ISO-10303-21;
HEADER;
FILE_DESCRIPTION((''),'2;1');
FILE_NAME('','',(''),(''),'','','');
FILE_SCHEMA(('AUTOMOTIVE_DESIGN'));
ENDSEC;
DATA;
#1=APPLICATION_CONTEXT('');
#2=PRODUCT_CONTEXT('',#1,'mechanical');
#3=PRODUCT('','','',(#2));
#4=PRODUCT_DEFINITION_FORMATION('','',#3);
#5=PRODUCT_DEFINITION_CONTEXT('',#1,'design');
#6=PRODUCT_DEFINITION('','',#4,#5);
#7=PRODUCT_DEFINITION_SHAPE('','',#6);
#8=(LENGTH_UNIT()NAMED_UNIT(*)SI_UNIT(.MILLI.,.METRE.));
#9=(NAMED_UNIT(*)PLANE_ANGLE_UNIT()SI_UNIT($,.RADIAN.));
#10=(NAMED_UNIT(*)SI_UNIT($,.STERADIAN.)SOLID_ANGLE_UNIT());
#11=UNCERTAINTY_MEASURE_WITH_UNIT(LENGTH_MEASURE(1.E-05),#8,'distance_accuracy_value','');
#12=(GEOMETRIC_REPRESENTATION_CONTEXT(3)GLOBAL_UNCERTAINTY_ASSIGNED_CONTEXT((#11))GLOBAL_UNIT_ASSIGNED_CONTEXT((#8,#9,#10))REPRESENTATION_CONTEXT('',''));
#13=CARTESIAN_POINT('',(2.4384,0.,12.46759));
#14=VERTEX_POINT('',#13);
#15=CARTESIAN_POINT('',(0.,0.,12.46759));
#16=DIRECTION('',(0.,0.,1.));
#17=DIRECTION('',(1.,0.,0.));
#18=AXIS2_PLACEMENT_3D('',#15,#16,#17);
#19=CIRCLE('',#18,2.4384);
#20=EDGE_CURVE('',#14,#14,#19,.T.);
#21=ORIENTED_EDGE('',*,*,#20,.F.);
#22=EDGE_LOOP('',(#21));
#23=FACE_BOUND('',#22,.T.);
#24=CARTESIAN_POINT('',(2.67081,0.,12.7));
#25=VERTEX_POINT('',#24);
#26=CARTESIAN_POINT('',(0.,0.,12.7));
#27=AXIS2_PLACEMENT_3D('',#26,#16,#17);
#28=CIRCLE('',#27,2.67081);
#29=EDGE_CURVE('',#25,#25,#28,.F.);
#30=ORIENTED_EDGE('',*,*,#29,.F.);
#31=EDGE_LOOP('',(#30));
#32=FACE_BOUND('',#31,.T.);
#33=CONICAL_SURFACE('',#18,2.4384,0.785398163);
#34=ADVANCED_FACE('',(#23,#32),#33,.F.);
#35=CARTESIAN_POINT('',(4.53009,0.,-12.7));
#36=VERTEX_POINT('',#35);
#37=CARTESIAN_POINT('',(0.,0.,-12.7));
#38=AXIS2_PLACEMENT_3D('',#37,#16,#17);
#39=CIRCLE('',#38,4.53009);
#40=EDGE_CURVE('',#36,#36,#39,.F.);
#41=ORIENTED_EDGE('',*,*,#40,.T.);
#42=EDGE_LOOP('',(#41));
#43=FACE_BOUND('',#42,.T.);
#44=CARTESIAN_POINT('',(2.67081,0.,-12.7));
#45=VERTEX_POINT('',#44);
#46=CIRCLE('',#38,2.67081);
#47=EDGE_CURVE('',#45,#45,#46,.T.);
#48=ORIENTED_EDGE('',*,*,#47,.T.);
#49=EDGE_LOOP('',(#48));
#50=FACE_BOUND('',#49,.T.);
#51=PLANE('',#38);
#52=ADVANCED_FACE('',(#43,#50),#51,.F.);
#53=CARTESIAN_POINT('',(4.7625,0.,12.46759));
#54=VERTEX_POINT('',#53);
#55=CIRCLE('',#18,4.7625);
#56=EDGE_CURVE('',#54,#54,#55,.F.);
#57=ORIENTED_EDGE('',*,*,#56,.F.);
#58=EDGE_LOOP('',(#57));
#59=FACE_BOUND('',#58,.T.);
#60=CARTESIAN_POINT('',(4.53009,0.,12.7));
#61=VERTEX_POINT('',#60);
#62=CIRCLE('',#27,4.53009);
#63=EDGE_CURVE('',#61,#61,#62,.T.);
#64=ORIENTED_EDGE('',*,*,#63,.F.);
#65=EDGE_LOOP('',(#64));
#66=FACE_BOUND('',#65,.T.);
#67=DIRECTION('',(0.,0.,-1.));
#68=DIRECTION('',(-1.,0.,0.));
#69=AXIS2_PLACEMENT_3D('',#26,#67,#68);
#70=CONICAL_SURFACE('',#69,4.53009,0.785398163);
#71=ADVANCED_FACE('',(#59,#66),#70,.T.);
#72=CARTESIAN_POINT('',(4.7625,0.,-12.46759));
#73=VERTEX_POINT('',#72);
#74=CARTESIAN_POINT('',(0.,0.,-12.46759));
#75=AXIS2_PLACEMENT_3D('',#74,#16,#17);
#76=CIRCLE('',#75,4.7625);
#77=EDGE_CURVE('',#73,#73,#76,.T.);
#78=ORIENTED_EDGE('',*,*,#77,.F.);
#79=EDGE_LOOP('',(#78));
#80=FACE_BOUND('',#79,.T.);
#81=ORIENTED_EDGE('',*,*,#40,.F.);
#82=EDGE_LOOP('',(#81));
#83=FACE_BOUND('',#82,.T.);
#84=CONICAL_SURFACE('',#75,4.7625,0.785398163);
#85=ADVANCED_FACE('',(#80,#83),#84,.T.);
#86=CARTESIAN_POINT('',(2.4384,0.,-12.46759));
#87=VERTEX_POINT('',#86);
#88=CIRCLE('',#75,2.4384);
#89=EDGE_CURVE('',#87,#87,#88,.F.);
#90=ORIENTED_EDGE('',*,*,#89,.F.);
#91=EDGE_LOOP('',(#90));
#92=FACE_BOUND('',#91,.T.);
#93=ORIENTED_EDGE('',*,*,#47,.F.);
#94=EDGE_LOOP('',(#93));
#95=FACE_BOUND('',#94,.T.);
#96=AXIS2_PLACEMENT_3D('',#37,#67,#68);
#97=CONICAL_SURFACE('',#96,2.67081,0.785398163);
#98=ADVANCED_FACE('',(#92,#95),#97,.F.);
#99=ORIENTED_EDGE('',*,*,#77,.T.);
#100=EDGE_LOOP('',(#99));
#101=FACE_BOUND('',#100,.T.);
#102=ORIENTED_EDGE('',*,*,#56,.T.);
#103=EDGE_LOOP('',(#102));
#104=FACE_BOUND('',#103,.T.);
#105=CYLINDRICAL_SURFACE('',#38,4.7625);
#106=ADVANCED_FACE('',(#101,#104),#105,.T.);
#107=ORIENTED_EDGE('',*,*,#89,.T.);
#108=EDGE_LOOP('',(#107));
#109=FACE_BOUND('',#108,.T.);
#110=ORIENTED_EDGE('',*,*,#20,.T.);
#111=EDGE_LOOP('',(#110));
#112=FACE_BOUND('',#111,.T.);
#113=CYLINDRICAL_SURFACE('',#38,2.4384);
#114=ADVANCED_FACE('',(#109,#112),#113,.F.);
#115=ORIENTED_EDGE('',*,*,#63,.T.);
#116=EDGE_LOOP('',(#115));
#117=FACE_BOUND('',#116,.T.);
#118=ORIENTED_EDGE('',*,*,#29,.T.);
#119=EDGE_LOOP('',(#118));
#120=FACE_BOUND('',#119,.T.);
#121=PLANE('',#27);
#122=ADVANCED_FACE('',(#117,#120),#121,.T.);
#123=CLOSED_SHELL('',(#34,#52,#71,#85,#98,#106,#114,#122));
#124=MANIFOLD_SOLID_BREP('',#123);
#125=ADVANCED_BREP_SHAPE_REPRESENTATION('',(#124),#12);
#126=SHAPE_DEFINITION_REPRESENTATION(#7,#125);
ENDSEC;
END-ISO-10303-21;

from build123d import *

# Parameters (mm, degrees)
SKETCH3_R                = 4.7625
SKETCH3_R_2              = 2.4384
BOSS_EXTRUDE1_DEPTH      = 12.7
BOSS_EXTRUDE1_DEPTH_BACK = 12.7
CHAMFER1_SIZE            = 0.23241


with BuildPart() as part:
    # Sketch3 → Boss-Extrude1 (new body, two sides)
    with BuildSketch(Plane.XY) as boss_extrude1_sk:
        Circle(SKETCH3_R)
        Circle(SKETCH3_R_2, mode=Mode.SUBTRACT)
    extrude(amount=BOSS_EXTRUDE1_DEPTH)
    extrude(boss_extrude1_sk.sketch, amount=-BOSS_EXTRUDE1_DEPTH_BACK)

    # Chamfer1
    chamfer1_edges = [part.edges().sort_by_distance(p)[0] for p in [
        (-4.7625, 0, -12.7),
        (-2.4384, 0, -12.7),
        (-4.7625, 0, 12.7),
        (-2.4384, 0, 12.7),
    ]]
    chamfer(chamfer1_edges, length=CHAMFER1_SIZE)


solid = part.part
